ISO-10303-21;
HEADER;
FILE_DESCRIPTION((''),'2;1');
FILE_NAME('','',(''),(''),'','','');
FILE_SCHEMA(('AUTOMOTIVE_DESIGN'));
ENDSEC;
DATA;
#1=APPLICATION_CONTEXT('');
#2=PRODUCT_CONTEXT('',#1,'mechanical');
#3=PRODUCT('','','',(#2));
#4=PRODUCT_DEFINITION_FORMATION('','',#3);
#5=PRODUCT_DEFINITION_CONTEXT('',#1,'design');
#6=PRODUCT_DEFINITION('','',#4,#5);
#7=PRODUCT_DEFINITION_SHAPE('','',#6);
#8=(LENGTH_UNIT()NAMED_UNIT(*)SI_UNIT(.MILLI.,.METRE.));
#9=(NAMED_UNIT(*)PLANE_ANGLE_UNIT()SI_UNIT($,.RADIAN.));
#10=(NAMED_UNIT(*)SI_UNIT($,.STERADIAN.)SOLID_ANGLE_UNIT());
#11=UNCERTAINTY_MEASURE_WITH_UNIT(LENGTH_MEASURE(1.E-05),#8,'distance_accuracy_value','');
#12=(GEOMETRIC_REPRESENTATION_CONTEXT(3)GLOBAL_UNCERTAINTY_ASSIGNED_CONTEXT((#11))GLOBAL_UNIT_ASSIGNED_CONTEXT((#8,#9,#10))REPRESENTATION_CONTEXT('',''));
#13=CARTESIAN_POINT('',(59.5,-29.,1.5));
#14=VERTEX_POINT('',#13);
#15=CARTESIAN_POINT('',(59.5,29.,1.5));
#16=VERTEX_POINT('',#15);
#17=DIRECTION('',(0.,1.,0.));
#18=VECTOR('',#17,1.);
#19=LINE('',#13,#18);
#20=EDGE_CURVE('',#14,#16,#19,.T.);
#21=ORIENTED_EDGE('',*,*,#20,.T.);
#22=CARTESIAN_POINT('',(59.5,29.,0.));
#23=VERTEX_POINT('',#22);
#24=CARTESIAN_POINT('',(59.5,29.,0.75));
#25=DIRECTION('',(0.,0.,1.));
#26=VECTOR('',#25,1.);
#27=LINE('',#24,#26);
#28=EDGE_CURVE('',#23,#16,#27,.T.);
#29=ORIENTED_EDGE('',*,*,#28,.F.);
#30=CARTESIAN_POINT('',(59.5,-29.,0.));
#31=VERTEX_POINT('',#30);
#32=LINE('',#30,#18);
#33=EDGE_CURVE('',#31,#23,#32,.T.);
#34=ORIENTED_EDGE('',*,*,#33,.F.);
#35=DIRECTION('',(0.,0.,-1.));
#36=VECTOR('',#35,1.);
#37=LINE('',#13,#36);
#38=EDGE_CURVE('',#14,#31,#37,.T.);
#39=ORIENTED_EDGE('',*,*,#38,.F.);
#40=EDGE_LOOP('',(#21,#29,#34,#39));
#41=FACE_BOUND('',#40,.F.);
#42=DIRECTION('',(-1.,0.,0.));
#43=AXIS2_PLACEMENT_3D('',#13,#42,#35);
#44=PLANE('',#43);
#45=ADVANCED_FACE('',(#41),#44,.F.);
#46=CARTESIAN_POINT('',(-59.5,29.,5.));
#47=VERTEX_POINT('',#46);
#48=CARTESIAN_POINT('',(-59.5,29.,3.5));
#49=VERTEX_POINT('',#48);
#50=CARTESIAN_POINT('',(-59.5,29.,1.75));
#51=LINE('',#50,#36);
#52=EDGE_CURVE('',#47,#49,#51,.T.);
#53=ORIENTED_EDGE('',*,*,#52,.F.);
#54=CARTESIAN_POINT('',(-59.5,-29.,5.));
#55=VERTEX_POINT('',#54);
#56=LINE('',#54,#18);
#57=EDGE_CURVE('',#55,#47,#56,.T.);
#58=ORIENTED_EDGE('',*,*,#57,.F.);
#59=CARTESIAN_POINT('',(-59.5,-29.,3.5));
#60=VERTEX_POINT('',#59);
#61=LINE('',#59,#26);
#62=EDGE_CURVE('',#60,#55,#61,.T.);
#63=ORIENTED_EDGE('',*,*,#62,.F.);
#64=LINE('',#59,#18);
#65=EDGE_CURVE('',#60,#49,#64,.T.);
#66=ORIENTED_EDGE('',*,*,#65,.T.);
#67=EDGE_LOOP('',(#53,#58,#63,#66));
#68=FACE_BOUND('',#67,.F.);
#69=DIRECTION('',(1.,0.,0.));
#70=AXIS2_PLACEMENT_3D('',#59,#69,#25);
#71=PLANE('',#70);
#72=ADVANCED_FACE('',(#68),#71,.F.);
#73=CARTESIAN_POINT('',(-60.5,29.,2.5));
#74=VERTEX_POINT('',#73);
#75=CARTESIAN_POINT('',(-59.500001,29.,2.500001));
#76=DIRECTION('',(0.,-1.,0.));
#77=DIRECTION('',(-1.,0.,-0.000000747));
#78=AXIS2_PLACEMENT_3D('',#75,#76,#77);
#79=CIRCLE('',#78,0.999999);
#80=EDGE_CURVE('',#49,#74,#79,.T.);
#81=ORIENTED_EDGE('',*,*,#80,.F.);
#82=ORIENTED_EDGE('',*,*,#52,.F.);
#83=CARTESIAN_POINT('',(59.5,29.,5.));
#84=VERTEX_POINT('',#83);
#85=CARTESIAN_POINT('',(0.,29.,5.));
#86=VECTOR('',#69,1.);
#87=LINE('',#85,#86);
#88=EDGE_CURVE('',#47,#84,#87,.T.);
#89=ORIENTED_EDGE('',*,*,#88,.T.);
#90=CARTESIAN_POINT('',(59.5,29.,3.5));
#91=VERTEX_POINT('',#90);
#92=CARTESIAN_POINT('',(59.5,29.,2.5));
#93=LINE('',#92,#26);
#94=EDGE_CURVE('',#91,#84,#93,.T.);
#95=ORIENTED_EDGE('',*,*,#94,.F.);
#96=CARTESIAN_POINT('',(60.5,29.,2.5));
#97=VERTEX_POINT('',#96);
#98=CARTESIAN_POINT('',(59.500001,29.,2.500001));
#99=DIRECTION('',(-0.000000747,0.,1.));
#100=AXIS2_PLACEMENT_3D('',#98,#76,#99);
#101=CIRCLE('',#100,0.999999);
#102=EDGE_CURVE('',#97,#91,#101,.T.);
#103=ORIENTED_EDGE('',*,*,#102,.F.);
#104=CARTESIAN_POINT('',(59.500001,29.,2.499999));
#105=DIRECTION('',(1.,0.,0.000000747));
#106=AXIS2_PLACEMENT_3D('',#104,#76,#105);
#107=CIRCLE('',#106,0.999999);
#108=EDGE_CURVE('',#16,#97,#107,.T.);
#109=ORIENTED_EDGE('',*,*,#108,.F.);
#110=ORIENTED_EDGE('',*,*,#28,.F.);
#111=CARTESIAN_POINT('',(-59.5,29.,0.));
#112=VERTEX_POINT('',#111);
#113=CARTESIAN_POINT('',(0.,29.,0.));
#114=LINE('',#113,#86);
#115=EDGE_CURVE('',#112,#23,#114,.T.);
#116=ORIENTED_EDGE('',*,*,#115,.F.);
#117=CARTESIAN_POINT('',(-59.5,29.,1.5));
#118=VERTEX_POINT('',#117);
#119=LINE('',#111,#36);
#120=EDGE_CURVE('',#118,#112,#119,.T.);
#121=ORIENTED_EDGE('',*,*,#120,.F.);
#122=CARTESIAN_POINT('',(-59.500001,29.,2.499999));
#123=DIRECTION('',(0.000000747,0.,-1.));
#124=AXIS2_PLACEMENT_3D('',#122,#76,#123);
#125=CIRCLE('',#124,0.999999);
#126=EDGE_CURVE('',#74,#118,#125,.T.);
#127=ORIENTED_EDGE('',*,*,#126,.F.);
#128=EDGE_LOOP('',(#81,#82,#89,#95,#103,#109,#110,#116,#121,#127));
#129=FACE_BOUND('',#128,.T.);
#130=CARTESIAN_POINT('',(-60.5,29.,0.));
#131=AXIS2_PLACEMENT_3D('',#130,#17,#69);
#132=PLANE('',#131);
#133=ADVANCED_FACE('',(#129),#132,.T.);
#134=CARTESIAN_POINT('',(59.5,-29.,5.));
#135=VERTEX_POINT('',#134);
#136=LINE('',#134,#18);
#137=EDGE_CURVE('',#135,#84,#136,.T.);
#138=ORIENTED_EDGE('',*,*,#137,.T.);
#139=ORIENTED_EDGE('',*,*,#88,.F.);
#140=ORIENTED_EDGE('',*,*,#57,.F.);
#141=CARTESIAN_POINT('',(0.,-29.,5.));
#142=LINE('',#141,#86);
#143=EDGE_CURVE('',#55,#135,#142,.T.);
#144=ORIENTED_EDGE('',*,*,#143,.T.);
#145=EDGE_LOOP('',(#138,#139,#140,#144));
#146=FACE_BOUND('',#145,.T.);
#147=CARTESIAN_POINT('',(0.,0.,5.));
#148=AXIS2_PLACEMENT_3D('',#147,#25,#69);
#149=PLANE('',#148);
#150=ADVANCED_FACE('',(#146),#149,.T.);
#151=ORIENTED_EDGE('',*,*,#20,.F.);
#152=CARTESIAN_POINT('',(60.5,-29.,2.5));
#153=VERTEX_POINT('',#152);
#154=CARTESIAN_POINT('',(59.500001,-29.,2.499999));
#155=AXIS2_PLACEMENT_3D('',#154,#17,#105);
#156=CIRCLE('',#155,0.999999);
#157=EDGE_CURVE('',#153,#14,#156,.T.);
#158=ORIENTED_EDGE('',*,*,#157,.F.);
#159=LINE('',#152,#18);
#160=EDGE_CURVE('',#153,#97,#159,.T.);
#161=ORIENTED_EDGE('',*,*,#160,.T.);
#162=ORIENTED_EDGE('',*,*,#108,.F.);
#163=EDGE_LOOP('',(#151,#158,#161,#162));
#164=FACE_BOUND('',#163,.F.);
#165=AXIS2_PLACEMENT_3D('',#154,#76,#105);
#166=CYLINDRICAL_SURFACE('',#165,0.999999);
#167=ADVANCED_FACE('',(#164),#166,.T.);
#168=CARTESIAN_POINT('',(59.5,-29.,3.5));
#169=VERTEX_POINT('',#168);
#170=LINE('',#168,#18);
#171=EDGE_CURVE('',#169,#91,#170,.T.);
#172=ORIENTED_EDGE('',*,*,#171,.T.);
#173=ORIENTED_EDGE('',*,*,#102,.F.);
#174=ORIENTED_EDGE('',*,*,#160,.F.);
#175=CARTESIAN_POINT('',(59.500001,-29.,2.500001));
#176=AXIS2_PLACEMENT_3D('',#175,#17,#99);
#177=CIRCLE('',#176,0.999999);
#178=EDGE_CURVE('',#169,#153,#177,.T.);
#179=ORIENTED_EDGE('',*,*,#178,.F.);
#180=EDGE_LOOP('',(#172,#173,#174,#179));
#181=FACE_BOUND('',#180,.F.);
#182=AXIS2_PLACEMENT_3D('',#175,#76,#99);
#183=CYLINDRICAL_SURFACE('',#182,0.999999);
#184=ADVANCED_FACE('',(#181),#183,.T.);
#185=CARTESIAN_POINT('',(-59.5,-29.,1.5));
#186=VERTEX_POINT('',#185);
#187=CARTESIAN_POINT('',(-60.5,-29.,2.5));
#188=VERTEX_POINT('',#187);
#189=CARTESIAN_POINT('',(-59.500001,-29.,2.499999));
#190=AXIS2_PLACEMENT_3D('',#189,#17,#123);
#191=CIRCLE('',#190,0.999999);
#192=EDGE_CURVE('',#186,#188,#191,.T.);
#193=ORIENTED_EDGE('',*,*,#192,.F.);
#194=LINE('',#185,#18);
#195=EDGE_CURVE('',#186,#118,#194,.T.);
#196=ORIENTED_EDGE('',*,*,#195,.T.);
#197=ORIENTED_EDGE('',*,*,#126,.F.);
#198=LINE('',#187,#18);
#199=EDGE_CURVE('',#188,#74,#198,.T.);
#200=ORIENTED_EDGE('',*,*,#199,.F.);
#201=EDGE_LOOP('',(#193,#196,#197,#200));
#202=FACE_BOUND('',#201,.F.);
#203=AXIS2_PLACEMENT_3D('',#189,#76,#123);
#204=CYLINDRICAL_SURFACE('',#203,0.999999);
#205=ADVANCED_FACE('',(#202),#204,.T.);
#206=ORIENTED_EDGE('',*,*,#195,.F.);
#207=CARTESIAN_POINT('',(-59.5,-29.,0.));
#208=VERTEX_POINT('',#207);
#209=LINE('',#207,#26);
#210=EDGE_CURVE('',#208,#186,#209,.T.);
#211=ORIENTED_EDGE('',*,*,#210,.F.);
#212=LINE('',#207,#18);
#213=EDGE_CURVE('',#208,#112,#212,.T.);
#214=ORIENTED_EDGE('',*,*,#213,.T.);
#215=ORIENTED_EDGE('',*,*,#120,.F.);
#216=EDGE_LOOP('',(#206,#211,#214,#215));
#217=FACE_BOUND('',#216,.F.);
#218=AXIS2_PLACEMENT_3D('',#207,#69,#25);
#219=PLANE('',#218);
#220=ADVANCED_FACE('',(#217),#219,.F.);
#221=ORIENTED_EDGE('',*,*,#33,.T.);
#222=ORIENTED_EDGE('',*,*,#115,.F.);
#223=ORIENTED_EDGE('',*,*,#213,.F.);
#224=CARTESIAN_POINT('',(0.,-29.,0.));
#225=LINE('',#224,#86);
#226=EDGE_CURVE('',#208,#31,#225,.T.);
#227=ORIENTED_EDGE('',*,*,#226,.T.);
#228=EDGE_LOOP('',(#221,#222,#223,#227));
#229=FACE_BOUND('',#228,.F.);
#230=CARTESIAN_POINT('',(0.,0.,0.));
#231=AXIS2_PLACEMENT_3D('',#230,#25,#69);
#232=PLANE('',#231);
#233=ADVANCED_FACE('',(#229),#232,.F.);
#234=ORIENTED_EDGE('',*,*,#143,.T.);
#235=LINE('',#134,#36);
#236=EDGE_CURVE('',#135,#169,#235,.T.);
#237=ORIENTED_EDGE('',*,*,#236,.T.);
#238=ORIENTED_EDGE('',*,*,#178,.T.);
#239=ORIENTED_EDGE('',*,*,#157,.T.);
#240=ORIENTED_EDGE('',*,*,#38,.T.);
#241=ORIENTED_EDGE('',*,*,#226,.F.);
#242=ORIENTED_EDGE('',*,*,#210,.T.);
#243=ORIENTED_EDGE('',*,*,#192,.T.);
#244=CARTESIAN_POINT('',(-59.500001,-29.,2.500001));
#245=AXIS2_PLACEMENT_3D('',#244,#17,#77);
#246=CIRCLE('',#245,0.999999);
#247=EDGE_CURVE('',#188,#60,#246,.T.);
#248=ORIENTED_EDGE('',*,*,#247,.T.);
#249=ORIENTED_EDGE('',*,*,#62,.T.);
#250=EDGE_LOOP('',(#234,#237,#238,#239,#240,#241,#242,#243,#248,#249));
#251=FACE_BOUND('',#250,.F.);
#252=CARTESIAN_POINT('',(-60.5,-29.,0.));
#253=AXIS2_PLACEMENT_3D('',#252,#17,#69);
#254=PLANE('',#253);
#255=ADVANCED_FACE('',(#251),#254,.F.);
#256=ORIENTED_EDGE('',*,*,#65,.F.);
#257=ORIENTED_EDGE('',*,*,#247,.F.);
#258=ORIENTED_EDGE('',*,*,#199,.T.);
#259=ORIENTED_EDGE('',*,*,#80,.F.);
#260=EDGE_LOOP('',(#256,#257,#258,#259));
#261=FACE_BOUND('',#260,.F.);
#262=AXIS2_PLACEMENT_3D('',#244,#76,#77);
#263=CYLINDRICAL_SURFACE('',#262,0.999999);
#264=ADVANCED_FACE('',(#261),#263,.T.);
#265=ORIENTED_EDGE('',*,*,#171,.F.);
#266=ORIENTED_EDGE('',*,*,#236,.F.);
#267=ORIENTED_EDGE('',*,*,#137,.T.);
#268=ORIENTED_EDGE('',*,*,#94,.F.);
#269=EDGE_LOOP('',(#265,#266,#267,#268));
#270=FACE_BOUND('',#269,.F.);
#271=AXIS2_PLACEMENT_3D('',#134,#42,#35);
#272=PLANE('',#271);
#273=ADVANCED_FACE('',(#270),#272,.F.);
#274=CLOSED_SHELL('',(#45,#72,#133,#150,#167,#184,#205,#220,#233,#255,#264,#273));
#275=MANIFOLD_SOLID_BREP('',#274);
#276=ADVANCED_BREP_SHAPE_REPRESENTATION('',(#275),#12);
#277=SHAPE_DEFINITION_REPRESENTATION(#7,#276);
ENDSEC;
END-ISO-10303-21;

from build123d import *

# Parameters (mm, degrees)
F0_W     = 121
F0_H     = 58
F1_DEPTH = 5
F3_DEPTH = 58.001


with BuildPart() as f1:
    # F0 (on Top) → F1 (new body)
    with BuildSketch(Plane.XY):
        Rectangle(F0_W, F0_H)
    extrude(amount=F1_DEPTH)

    # F2 (on face) → F3 (cut, through all)
    with BuildSketch(Plane.XZ.offset(29)):
        with BuildLine():
            Line((-59.5, 3.5), (-59.5, 5))
            Line((-59.5, 5), (-60.5, 5))
            Line((-60.5, 5), (-60.5, 2.5))
            ThreePointArc((-60.5, 2.5), (-60.207107, 3.207107), (-59.5, 3.5))
        make_face()
        with BuildLine():
            Line((-60.5, 0), (-59.5, 0))
            Line((-59.5, 0), (-59.5, 1.5))
            ThreePointArc((-59.5, 1.5), (-60.207107, 1.792893), (-60.5, 2.5))
            Line((-60.5, 2.5), (-60.5, 0))
        make_face()
        with BuildLine():
            Line((60.5, 0), (60.5, 2.5))
            ThreePointArc((60.5, 2.5), (60.207107, 1.792893), (59.5, 1.5))
            Line((59.5, 1.5), (59.5, 0))
            Line((59.5, 0), (60.5, 0))
        make_face()
        with BuildLine():
            ThreePointArc((59.5, 3.5), (60.207107, 3.207107), (60.5, 2.5))
            Line((60.5, 2.5), (60.5, 5))
            Line((60.5, 5), (59.5, 5))
            Line((59.5, 5), (59.5, 3.5))
        make_face()
    extrude(amount=-F3_DEPTH, mode=Mode.SUBTRACT)


solid = f1.part
